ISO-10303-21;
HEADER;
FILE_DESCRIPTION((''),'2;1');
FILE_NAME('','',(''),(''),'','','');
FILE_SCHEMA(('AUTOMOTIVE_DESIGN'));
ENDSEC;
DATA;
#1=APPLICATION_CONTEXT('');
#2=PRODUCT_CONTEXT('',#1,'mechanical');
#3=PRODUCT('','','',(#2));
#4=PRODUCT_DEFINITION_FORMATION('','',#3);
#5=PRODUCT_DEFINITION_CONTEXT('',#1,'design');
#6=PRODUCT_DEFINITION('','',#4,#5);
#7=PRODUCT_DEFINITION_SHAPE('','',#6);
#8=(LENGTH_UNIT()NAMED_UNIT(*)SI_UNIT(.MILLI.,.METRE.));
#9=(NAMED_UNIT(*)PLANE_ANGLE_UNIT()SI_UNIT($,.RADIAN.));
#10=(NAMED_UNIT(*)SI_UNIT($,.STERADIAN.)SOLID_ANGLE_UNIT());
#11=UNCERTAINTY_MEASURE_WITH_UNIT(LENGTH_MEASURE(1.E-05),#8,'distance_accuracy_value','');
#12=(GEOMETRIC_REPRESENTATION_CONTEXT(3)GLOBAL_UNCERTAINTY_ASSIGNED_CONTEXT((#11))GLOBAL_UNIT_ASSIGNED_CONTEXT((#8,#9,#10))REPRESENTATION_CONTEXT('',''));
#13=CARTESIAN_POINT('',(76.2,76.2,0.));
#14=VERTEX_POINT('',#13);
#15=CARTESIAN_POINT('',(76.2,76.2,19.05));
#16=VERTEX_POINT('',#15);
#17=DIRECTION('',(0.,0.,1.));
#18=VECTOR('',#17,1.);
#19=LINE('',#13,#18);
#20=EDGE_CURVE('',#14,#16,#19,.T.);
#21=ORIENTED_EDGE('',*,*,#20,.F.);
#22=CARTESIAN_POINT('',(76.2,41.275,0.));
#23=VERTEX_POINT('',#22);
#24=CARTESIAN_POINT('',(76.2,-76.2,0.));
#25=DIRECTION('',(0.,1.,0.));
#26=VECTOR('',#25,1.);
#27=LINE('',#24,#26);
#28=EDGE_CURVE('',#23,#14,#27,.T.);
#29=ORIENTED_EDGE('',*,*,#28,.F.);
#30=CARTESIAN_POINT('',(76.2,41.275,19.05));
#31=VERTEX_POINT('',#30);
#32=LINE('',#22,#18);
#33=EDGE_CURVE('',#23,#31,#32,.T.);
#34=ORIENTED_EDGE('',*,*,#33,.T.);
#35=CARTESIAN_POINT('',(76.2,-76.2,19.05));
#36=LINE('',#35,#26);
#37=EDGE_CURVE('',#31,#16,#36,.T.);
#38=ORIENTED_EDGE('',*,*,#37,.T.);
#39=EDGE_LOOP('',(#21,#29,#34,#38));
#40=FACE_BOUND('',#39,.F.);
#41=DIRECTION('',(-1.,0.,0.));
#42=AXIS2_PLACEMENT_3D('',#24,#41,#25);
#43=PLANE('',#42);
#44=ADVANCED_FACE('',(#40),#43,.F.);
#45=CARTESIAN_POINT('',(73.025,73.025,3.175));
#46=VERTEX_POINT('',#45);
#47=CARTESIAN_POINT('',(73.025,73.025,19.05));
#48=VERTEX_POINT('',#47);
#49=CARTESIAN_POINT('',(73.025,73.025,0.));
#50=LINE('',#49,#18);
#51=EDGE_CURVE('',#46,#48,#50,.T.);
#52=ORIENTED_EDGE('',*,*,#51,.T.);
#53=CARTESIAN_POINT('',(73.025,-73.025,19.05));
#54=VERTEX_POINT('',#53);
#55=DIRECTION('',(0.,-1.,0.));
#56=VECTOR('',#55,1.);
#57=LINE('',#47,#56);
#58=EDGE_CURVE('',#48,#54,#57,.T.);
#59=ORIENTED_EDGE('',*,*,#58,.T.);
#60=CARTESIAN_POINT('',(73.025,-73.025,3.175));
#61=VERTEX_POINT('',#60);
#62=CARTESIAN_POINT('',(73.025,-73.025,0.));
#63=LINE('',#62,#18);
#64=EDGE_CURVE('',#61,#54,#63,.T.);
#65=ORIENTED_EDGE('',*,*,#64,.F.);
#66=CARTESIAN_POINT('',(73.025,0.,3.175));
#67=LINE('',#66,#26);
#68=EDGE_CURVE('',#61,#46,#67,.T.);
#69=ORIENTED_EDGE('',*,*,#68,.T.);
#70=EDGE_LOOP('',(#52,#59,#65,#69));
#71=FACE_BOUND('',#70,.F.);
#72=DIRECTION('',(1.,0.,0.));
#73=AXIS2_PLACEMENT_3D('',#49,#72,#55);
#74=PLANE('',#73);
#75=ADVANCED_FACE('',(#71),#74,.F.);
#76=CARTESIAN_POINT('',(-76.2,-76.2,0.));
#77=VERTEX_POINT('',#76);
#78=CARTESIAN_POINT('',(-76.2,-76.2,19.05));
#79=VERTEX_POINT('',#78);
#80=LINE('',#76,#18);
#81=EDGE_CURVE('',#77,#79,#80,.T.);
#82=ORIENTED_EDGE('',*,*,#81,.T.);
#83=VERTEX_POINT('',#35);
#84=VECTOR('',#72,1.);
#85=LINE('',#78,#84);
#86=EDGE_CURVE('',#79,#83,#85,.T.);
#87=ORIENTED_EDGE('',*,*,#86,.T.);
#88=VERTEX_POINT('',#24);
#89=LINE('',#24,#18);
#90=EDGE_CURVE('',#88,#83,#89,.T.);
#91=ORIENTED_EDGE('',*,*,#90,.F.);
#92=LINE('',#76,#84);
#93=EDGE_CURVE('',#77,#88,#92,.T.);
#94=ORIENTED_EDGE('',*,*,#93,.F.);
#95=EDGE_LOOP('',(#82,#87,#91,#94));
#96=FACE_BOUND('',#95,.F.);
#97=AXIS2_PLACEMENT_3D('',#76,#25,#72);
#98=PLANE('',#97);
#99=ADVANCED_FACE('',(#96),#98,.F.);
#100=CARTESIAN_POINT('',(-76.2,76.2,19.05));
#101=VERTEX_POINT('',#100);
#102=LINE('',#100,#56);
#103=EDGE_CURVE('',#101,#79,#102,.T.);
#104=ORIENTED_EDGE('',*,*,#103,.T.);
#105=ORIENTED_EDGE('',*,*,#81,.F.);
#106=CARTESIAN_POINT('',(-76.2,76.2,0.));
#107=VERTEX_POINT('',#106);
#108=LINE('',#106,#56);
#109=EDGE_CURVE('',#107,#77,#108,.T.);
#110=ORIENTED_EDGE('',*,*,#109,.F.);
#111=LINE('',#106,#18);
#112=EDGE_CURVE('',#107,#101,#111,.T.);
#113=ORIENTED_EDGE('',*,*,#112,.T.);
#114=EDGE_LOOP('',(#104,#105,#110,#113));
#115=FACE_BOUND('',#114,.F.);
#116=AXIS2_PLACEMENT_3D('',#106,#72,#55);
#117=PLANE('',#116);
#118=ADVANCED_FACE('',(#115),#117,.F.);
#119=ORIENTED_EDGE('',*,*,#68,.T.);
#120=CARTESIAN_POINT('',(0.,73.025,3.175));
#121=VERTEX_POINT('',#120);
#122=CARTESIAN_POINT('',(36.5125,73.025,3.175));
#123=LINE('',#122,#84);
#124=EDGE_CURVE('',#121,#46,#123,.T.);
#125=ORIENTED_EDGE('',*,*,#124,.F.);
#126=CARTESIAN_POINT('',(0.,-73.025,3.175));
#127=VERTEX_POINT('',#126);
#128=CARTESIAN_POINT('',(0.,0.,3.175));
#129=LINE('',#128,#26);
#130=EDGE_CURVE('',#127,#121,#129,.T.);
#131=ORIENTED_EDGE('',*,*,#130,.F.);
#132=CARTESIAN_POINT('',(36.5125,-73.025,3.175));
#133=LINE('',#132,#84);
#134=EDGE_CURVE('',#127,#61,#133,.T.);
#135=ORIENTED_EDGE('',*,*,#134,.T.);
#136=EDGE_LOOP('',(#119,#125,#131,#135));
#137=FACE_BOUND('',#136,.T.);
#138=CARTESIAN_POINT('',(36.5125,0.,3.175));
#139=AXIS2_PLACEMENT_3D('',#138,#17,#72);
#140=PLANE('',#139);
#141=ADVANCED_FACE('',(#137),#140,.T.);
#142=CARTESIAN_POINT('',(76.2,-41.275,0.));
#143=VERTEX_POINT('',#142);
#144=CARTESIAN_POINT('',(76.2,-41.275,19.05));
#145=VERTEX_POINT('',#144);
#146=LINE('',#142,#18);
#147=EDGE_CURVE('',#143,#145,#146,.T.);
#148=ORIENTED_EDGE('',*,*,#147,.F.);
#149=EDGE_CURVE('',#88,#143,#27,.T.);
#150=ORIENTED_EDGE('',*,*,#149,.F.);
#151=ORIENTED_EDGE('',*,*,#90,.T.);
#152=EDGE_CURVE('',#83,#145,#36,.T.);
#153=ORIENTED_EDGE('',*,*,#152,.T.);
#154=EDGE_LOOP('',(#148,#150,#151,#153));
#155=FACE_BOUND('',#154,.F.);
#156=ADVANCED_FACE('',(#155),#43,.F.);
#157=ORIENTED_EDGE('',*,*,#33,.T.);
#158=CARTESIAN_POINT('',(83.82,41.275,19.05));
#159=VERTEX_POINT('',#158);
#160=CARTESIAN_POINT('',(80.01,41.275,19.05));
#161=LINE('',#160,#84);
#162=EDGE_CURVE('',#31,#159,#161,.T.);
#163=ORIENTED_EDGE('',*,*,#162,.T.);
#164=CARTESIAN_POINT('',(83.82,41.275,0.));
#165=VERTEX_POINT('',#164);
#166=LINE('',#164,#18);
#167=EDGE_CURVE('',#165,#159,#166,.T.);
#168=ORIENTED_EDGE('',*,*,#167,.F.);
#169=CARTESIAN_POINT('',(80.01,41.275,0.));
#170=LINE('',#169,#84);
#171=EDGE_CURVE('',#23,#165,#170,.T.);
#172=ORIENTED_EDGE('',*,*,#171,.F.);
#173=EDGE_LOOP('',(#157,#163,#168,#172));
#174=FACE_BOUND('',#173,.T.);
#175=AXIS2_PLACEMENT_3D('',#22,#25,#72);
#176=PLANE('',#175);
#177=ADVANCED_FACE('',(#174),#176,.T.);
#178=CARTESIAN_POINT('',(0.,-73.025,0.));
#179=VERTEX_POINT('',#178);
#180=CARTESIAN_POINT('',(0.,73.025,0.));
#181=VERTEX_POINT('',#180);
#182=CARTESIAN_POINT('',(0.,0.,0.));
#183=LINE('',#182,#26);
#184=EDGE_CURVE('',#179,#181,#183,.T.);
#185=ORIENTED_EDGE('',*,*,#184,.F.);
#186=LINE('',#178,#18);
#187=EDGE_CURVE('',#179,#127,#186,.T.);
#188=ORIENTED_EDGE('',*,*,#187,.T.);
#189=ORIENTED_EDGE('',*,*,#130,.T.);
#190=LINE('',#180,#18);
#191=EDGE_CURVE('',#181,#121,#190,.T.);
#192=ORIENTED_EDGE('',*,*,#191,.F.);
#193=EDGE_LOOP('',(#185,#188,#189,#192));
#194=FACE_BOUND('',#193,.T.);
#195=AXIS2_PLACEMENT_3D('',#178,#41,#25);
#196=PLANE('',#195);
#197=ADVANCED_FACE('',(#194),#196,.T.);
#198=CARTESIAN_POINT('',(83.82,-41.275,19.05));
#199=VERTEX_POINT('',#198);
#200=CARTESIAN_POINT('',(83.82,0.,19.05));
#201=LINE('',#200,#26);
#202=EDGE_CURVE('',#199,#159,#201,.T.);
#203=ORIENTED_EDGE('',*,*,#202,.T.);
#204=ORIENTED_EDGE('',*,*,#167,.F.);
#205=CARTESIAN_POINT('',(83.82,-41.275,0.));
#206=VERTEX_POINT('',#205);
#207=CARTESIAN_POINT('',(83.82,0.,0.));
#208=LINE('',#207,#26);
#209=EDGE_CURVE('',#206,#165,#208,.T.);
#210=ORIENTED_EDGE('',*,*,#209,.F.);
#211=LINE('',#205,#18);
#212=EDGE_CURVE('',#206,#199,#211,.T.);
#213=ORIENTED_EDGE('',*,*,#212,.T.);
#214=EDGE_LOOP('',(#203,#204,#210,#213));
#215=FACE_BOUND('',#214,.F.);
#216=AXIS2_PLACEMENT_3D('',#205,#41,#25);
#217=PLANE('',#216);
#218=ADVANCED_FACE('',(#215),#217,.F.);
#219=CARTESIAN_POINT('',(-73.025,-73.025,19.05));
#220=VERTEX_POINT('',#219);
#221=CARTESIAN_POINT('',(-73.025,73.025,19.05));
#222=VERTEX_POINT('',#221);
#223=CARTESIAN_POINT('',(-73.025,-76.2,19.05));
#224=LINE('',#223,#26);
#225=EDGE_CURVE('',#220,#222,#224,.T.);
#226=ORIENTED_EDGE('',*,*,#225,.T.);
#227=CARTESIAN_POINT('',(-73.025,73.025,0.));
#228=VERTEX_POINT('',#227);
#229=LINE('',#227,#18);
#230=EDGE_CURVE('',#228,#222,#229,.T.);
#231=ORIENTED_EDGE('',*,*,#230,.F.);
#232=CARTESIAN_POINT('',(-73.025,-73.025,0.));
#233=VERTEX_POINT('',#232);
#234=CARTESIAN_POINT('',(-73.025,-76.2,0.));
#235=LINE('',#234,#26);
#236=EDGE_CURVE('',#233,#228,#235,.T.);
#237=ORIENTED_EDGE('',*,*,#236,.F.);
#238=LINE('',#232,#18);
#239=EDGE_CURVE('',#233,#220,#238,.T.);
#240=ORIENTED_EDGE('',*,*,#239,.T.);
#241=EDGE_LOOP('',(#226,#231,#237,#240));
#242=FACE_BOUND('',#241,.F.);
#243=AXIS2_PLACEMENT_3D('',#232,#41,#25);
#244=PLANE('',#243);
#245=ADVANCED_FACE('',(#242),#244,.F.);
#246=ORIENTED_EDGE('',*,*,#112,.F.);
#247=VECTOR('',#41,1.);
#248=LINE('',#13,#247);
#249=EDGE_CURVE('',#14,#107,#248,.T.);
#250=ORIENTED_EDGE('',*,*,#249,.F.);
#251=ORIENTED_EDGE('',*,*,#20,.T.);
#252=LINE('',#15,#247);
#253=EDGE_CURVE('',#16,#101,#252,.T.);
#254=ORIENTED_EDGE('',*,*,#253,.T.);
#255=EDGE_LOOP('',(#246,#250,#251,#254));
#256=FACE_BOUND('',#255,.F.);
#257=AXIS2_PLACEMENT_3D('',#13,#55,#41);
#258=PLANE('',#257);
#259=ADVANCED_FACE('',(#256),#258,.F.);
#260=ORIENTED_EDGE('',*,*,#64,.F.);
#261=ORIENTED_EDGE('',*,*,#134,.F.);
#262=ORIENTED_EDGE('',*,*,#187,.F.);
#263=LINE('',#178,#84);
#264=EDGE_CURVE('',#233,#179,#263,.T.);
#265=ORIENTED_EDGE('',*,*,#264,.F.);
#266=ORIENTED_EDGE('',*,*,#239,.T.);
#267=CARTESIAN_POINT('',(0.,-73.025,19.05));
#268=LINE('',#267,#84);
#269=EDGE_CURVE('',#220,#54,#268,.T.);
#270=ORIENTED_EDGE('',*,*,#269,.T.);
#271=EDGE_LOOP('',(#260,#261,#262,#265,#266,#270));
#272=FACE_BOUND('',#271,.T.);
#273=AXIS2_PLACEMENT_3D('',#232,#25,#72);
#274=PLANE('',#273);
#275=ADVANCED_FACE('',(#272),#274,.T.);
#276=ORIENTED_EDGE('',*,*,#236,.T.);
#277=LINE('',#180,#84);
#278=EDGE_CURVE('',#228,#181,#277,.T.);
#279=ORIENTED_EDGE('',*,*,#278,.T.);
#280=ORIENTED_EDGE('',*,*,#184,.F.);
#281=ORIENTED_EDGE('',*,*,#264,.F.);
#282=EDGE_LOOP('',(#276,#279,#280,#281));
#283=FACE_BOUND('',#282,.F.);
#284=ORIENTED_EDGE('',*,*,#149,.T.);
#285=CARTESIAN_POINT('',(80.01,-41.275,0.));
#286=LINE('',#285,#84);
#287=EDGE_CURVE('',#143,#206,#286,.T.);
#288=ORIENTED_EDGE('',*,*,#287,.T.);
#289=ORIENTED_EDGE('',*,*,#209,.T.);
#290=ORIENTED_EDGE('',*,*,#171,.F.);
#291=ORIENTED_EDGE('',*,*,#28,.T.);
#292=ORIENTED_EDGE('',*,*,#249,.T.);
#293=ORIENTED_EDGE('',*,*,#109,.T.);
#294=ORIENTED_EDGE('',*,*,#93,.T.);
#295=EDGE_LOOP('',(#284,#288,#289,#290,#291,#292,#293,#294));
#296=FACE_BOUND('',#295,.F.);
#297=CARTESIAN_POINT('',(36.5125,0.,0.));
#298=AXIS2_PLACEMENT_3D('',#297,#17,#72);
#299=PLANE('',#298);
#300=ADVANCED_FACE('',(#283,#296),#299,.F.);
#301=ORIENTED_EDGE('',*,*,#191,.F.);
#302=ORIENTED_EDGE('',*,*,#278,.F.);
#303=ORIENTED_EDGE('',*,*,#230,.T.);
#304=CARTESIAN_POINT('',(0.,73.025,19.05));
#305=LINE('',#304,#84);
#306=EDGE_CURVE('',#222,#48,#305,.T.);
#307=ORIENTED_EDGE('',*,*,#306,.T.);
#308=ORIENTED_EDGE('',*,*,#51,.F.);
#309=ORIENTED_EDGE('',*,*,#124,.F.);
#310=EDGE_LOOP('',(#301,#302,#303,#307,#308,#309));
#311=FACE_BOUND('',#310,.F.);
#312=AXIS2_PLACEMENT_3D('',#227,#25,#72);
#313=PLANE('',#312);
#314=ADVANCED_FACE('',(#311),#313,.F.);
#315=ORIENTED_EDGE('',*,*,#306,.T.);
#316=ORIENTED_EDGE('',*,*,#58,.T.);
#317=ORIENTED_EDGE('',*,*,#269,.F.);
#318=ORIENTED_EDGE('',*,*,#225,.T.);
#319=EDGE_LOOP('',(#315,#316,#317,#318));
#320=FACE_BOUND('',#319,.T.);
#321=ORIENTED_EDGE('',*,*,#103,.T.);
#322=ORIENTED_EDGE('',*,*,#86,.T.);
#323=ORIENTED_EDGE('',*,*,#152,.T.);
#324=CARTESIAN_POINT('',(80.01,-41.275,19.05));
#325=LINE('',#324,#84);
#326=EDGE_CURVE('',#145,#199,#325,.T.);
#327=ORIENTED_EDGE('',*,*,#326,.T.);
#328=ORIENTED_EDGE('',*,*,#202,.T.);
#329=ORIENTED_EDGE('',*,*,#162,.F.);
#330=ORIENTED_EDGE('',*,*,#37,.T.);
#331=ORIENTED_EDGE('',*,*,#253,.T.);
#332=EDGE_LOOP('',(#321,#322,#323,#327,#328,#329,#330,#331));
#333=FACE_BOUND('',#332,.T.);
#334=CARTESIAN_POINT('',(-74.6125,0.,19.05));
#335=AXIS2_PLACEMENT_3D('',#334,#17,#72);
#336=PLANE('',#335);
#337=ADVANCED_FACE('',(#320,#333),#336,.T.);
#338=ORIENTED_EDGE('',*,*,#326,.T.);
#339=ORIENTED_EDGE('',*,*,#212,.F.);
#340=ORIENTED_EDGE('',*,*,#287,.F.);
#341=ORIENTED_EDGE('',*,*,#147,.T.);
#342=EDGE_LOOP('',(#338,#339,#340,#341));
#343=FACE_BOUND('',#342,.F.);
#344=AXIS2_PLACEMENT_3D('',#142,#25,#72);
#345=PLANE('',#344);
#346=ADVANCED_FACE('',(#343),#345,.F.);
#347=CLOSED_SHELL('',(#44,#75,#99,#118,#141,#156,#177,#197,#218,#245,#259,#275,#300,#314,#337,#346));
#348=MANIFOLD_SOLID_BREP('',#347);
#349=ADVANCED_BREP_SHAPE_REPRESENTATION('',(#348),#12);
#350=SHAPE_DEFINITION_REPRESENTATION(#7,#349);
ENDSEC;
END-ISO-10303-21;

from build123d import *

# Parameters (mm, degrees)
F0_W     = 146.05
F0_H     = 3.175
F1_DEPTH = 19.05
F2_W     = 73.025
F2_H     = 146.05
F3_DEPTH = 3.175
F4_W     = 7.62
F4_H     = 82.55
F5_DEPTH = 19.05


with BuildPart() as f1:
    # F0 (on Top) → F1 (new body)
    with BuildSketch(Plane.XY):
        Polygon((-73.025, 73.025), (-73.025, 76.2), (-76.2, 76.2), (-76.2, -76.2), (-73.025, -76.2), (-73.025, -73.025), align=None)
        with Locations((0, 74.6125)):
            Rectangle(F0_W, F0_H)
        Polygon((76.2, -76.2), (76.2, 76.2), (73.025, 76.2), (73.025, 73.025), (73.025, -73.025), (73.025, -76.2), align=None)
        with Locations((0, -74.6125)):
            Rectangle(F0_W, F0_H)
    extrude(amount=F1_DEPTH)

    # F2 (on Top) → F3 (join)
    with BuildSketch(Plane.XY):
        with Locations((36.5125, 0)):
            Rectangle(F2_W, F2_H)
    extrude(amount=F3_DEPTH)

    # F4 (on Top) → F5 (join)
    with BuildSketch(Plane.XY):
        with Locations((80.01, 0)):
            Rectangle(F4_W, F4_H)
    extrude(amount=F5_DEPTH)


solid = f1.part
